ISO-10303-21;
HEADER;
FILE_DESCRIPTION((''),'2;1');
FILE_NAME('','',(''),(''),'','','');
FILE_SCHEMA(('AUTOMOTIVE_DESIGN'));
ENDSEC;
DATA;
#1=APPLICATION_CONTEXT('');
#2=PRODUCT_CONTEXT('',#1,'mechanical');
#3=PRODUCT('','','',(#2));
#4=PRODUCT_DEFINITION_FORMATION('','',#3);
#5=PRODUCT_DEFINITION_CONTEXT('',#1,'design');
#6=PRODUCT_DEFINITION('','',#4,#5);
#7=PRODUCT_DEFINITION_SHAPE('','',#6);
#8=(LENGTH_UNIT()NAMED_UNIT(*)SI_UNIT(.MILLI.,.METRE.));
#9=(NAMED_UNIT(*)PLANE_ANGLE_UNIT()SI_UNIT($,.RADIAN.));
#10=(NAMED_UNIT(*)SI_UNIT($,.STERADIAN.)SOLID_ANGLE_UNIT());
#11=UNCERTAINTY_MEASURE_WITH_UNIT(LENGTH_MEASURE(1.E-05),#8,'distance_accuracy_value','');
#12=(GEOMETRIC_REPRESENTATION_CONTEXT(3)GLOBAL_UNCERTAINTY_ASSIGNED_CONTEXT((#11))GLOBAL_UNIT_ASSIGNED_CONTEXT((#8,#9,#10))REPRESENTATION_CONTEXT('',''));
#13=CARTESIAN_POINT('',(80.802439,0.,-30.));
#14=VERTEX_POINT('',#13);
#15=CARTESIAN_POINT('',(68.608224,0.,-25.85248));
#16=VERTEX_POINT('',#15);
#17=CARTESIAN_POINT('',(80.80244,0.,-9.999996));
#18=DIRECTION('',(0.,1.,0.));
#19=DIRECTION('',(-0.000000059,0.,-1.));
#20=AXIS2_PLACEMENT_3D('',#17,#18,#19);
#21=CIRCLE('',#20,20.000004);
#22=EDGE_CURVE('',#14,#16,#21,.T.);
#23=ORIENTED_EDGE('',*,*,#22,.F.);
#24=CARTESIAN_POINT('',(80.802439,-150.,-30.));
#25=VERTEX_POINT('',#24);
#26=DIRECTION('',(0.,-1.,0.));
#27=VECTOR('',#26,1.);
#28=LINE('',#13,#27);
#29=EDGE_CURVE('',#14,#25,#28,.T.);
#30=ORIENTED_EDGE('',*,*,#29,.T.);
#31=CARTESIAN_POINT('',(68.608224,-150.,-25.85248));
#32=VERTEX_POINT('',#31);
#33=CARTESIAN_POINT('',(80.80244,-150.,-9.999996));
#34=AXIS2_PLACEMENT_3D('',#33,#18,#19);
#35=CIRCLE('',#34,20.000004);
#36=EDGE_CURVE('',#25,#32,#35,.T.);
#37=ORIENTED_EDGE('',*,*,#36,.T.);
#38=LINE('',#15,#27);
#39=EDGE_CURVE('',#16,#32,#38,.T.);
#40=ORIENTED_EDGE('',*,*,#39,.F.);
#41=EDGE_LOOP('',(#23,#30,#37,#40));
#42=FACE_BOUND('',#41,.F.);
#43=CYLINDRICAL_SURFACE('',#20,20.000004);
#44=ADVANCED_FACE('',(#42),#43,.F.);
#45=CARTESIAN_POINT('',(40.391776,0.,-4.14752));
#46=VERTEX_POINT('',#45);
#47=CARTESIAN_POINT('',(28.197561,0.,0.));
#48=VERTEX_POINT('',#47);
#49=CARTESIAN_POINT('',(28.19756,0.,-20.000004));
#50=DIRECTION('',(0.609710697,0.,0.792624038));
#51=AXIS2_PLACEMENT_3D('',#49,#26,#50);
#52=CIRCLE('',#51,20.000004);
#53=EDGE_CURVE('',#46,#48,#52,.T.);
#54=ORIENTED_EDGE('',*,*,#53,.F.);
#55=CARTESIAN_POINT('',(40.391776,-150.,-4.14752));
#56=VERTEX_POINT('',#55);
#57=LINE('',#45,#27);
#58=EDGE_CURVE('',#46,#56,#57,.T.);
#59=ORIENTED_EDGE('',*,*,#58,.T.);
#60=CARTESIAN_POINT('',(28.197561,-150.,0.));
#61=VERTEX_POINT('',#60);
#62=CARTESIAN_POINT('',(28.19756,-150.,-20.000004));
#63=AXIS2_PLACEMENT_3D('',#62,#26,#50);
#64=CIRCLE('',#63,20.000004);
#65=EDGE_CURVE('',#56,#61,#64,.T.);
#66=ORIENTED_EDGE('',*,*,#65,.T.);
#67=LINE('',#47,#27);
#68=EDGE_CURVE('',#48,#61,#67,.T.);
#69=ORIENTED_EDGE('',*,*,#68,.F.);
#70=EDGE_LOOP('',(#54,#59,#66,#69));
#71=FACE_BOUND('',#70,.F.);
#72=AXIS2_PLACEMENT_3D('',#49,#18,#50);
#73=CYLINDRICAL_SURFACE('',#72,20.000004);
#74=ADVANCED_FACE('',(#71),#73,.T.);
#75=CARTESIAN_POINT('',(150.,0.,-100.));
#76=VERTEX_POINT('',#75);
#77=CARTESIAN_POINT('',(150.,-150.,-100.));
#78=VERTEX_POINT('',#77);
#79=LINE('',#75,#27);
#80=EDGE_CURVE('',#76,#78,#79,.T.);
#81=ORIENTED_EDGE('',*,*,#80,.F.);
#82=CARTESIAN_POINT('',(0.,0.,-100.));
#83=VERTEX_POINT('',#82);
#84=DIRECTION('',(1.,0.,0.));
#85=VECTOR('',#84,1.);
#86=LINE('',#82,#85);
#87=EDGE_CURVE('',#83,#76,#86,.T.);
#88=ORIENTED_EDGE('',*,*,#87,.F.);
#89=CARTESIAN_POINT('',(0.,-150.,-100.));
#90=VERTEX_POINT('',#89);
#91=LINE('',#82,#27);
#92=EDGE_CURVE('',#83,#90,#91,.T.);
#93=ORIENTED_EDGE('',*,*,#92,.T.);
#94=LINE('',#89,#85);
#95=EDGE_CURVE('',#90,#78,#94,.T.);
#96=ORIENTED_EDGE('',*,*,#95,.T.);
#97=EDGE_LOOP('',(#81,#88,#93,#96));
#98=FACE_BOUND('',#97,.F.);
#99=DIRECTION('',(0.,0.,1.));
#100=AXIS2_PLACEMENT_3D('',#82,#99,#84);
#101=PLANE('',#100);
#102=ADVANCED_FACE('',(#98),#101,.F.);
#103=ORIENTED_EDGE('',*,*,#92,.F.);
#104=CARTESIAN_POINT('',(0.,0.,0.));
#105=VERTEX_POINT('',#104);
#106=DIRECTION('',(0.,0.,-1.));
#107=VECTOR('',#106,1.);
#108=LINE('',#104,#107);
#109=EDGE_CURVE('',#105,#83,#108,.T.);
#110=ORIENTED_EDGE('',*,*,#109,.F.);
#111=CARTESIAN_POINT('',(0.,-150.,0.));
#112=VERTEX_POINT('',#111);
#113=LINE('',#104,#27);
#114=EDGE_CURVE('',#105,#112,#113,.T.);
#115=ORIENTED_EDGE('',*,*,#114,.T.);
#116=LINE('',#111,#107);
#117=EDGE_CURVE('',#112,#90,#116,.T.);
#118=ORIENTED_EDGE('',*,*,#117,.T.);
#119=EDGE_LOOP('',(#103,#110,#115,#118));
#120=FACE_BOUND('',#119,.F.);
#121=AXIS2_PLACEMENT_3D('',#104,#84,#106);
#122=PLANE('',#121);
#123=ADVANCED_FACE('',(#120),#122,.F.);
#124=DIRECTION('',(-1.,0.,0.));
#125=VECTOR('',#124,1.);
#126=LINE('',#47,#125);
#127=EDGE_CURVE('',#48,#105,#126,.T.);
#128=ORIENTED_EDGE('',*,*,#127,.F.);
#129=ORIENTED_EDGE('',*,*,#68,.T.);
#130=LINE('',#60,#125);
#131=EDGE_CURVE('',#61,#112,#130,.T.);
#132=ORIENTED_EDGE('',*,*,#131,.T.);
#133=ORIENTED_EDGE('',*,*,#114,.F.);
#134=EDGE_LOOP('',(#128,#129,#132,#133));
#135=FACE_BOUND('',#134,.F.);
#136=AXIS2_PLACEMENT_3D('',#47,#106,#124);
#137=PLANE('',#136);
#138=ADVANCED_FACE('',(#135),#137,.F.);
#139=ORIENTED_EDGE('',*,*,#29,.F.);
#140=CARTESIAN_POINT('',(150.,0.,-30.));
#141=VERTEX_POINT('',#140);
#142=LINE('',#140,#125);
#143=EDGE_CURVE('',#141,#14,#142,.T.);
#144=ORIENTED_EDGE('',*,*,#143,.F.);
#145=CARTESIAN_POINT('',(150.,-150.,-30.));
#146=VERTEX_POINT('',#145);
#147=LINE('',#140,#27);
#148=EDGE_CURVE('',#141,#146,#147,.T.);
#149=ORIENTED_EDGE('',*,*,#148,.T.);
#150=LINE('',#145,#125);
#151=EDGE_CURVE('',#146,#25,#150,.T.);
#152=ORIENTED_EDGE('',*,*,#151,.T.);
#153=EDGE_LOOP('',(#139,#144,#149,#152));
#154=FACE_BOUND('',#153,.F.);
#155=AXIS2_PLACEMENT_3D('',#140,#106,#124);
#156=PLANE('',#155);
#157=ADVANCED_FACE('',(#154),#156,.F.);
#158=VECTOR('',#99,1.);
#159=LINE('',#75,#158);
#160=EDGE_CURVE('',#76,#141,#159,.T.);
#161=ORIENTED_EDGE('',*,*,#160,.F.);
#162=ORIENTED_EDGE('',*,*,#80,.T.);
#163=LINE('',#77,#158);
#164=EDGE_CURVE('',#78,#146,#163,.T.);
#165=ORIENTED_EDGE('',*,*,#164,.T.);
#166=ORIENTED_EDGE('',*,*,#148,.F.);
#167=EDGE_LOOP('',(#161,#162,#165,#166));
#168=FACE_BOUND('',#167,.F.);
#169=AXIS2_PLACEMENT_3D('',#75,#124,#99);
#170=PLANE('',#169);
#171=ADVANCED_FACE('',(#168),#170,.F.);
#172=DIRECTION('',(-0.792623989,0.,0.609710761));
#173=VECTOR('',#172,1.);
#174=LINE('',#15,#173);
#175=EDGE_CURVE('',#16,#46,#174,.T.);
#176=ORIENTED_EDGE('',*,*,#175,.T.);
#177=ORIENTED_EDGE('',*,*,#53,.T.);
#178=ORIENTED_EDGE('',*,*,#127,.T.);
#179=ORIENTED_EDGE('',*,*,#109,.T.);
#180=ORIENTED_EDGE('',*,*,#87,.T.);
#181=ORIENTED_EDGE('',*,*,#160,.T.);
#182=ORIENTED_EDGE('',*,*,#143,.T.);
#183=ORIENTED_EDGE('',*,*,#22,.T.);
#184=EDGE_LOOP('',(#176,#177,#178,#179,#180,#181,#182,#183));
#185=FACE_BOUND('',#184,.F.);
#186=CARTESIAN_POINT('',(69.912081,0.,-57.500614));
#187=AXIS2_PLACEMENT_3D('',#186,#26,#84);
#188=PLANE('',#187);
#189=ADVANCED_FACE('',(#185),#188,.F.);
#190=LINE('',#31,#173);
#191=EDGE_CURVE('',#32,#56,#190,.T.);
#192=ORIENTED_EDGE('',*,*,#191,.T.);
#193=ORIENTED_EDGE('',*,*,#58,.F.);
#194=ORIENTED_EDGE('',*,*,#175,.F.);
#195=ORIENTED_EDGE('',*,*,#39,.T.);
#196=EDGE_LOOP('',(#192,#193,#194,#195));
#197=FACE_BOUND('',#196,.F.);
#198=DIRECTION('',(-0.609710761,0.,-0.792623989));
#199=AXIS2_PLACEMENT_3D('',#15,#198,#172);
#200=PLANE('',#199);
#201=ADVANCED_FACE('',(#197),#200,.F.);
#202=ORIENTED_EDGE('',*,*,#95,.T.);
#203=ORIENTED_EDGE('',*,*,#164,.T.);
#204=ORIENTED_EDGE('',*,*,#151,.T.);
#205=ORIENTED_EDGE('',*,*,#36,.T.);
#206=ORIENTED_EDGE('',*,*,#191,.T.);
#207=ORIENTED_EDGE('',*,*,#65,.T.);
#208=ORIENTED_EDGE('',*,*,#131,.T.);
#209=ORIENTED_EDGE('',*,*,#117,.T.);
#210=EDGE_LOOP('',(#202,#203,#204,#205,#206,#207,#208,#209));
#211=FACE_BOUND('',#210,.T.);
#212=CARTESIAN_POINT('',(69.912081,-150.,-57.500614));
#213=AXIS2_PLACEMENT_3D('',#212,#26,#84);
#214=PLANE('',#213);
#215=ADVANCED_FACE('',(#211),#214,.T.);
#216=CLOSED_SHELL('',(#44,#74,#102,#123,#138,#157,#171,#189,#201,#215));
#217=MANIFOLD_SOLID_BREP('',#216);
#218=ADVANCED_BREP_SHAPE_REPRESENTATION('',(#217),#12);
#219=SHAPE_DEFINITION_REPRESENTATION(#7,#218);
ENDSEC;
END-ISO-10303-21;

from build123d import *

# Parameters (mm, degrees)
F1_DEPTH = 150


with BuildPart() as f1:
    # F0 (on Front) → F1 (new body)
    with BuildSketch(Plane.XZ):
        with BuildLine():
            Line((28.197561, 0), (0, 0))
            Line((0, 0), (0, -100))
            Line((0, -100), (150, -100))
            Line((150, -100), (150, -30))
            Line((150, -30), (80.802439, -30))
            ThreePointArc((80.802439, -30), (74.362315, -28.934751), (68.608224, -25.85248))
            Line((68.608224, -25.85248), (40.391776, -4.14752))
            ThreePointArc((40.391776, -4.14752), (34.637685, -1.065249), (28.197561, 0))
        make_face()
    extrude(amount=F1_DEPTH)


solid = f1.part
